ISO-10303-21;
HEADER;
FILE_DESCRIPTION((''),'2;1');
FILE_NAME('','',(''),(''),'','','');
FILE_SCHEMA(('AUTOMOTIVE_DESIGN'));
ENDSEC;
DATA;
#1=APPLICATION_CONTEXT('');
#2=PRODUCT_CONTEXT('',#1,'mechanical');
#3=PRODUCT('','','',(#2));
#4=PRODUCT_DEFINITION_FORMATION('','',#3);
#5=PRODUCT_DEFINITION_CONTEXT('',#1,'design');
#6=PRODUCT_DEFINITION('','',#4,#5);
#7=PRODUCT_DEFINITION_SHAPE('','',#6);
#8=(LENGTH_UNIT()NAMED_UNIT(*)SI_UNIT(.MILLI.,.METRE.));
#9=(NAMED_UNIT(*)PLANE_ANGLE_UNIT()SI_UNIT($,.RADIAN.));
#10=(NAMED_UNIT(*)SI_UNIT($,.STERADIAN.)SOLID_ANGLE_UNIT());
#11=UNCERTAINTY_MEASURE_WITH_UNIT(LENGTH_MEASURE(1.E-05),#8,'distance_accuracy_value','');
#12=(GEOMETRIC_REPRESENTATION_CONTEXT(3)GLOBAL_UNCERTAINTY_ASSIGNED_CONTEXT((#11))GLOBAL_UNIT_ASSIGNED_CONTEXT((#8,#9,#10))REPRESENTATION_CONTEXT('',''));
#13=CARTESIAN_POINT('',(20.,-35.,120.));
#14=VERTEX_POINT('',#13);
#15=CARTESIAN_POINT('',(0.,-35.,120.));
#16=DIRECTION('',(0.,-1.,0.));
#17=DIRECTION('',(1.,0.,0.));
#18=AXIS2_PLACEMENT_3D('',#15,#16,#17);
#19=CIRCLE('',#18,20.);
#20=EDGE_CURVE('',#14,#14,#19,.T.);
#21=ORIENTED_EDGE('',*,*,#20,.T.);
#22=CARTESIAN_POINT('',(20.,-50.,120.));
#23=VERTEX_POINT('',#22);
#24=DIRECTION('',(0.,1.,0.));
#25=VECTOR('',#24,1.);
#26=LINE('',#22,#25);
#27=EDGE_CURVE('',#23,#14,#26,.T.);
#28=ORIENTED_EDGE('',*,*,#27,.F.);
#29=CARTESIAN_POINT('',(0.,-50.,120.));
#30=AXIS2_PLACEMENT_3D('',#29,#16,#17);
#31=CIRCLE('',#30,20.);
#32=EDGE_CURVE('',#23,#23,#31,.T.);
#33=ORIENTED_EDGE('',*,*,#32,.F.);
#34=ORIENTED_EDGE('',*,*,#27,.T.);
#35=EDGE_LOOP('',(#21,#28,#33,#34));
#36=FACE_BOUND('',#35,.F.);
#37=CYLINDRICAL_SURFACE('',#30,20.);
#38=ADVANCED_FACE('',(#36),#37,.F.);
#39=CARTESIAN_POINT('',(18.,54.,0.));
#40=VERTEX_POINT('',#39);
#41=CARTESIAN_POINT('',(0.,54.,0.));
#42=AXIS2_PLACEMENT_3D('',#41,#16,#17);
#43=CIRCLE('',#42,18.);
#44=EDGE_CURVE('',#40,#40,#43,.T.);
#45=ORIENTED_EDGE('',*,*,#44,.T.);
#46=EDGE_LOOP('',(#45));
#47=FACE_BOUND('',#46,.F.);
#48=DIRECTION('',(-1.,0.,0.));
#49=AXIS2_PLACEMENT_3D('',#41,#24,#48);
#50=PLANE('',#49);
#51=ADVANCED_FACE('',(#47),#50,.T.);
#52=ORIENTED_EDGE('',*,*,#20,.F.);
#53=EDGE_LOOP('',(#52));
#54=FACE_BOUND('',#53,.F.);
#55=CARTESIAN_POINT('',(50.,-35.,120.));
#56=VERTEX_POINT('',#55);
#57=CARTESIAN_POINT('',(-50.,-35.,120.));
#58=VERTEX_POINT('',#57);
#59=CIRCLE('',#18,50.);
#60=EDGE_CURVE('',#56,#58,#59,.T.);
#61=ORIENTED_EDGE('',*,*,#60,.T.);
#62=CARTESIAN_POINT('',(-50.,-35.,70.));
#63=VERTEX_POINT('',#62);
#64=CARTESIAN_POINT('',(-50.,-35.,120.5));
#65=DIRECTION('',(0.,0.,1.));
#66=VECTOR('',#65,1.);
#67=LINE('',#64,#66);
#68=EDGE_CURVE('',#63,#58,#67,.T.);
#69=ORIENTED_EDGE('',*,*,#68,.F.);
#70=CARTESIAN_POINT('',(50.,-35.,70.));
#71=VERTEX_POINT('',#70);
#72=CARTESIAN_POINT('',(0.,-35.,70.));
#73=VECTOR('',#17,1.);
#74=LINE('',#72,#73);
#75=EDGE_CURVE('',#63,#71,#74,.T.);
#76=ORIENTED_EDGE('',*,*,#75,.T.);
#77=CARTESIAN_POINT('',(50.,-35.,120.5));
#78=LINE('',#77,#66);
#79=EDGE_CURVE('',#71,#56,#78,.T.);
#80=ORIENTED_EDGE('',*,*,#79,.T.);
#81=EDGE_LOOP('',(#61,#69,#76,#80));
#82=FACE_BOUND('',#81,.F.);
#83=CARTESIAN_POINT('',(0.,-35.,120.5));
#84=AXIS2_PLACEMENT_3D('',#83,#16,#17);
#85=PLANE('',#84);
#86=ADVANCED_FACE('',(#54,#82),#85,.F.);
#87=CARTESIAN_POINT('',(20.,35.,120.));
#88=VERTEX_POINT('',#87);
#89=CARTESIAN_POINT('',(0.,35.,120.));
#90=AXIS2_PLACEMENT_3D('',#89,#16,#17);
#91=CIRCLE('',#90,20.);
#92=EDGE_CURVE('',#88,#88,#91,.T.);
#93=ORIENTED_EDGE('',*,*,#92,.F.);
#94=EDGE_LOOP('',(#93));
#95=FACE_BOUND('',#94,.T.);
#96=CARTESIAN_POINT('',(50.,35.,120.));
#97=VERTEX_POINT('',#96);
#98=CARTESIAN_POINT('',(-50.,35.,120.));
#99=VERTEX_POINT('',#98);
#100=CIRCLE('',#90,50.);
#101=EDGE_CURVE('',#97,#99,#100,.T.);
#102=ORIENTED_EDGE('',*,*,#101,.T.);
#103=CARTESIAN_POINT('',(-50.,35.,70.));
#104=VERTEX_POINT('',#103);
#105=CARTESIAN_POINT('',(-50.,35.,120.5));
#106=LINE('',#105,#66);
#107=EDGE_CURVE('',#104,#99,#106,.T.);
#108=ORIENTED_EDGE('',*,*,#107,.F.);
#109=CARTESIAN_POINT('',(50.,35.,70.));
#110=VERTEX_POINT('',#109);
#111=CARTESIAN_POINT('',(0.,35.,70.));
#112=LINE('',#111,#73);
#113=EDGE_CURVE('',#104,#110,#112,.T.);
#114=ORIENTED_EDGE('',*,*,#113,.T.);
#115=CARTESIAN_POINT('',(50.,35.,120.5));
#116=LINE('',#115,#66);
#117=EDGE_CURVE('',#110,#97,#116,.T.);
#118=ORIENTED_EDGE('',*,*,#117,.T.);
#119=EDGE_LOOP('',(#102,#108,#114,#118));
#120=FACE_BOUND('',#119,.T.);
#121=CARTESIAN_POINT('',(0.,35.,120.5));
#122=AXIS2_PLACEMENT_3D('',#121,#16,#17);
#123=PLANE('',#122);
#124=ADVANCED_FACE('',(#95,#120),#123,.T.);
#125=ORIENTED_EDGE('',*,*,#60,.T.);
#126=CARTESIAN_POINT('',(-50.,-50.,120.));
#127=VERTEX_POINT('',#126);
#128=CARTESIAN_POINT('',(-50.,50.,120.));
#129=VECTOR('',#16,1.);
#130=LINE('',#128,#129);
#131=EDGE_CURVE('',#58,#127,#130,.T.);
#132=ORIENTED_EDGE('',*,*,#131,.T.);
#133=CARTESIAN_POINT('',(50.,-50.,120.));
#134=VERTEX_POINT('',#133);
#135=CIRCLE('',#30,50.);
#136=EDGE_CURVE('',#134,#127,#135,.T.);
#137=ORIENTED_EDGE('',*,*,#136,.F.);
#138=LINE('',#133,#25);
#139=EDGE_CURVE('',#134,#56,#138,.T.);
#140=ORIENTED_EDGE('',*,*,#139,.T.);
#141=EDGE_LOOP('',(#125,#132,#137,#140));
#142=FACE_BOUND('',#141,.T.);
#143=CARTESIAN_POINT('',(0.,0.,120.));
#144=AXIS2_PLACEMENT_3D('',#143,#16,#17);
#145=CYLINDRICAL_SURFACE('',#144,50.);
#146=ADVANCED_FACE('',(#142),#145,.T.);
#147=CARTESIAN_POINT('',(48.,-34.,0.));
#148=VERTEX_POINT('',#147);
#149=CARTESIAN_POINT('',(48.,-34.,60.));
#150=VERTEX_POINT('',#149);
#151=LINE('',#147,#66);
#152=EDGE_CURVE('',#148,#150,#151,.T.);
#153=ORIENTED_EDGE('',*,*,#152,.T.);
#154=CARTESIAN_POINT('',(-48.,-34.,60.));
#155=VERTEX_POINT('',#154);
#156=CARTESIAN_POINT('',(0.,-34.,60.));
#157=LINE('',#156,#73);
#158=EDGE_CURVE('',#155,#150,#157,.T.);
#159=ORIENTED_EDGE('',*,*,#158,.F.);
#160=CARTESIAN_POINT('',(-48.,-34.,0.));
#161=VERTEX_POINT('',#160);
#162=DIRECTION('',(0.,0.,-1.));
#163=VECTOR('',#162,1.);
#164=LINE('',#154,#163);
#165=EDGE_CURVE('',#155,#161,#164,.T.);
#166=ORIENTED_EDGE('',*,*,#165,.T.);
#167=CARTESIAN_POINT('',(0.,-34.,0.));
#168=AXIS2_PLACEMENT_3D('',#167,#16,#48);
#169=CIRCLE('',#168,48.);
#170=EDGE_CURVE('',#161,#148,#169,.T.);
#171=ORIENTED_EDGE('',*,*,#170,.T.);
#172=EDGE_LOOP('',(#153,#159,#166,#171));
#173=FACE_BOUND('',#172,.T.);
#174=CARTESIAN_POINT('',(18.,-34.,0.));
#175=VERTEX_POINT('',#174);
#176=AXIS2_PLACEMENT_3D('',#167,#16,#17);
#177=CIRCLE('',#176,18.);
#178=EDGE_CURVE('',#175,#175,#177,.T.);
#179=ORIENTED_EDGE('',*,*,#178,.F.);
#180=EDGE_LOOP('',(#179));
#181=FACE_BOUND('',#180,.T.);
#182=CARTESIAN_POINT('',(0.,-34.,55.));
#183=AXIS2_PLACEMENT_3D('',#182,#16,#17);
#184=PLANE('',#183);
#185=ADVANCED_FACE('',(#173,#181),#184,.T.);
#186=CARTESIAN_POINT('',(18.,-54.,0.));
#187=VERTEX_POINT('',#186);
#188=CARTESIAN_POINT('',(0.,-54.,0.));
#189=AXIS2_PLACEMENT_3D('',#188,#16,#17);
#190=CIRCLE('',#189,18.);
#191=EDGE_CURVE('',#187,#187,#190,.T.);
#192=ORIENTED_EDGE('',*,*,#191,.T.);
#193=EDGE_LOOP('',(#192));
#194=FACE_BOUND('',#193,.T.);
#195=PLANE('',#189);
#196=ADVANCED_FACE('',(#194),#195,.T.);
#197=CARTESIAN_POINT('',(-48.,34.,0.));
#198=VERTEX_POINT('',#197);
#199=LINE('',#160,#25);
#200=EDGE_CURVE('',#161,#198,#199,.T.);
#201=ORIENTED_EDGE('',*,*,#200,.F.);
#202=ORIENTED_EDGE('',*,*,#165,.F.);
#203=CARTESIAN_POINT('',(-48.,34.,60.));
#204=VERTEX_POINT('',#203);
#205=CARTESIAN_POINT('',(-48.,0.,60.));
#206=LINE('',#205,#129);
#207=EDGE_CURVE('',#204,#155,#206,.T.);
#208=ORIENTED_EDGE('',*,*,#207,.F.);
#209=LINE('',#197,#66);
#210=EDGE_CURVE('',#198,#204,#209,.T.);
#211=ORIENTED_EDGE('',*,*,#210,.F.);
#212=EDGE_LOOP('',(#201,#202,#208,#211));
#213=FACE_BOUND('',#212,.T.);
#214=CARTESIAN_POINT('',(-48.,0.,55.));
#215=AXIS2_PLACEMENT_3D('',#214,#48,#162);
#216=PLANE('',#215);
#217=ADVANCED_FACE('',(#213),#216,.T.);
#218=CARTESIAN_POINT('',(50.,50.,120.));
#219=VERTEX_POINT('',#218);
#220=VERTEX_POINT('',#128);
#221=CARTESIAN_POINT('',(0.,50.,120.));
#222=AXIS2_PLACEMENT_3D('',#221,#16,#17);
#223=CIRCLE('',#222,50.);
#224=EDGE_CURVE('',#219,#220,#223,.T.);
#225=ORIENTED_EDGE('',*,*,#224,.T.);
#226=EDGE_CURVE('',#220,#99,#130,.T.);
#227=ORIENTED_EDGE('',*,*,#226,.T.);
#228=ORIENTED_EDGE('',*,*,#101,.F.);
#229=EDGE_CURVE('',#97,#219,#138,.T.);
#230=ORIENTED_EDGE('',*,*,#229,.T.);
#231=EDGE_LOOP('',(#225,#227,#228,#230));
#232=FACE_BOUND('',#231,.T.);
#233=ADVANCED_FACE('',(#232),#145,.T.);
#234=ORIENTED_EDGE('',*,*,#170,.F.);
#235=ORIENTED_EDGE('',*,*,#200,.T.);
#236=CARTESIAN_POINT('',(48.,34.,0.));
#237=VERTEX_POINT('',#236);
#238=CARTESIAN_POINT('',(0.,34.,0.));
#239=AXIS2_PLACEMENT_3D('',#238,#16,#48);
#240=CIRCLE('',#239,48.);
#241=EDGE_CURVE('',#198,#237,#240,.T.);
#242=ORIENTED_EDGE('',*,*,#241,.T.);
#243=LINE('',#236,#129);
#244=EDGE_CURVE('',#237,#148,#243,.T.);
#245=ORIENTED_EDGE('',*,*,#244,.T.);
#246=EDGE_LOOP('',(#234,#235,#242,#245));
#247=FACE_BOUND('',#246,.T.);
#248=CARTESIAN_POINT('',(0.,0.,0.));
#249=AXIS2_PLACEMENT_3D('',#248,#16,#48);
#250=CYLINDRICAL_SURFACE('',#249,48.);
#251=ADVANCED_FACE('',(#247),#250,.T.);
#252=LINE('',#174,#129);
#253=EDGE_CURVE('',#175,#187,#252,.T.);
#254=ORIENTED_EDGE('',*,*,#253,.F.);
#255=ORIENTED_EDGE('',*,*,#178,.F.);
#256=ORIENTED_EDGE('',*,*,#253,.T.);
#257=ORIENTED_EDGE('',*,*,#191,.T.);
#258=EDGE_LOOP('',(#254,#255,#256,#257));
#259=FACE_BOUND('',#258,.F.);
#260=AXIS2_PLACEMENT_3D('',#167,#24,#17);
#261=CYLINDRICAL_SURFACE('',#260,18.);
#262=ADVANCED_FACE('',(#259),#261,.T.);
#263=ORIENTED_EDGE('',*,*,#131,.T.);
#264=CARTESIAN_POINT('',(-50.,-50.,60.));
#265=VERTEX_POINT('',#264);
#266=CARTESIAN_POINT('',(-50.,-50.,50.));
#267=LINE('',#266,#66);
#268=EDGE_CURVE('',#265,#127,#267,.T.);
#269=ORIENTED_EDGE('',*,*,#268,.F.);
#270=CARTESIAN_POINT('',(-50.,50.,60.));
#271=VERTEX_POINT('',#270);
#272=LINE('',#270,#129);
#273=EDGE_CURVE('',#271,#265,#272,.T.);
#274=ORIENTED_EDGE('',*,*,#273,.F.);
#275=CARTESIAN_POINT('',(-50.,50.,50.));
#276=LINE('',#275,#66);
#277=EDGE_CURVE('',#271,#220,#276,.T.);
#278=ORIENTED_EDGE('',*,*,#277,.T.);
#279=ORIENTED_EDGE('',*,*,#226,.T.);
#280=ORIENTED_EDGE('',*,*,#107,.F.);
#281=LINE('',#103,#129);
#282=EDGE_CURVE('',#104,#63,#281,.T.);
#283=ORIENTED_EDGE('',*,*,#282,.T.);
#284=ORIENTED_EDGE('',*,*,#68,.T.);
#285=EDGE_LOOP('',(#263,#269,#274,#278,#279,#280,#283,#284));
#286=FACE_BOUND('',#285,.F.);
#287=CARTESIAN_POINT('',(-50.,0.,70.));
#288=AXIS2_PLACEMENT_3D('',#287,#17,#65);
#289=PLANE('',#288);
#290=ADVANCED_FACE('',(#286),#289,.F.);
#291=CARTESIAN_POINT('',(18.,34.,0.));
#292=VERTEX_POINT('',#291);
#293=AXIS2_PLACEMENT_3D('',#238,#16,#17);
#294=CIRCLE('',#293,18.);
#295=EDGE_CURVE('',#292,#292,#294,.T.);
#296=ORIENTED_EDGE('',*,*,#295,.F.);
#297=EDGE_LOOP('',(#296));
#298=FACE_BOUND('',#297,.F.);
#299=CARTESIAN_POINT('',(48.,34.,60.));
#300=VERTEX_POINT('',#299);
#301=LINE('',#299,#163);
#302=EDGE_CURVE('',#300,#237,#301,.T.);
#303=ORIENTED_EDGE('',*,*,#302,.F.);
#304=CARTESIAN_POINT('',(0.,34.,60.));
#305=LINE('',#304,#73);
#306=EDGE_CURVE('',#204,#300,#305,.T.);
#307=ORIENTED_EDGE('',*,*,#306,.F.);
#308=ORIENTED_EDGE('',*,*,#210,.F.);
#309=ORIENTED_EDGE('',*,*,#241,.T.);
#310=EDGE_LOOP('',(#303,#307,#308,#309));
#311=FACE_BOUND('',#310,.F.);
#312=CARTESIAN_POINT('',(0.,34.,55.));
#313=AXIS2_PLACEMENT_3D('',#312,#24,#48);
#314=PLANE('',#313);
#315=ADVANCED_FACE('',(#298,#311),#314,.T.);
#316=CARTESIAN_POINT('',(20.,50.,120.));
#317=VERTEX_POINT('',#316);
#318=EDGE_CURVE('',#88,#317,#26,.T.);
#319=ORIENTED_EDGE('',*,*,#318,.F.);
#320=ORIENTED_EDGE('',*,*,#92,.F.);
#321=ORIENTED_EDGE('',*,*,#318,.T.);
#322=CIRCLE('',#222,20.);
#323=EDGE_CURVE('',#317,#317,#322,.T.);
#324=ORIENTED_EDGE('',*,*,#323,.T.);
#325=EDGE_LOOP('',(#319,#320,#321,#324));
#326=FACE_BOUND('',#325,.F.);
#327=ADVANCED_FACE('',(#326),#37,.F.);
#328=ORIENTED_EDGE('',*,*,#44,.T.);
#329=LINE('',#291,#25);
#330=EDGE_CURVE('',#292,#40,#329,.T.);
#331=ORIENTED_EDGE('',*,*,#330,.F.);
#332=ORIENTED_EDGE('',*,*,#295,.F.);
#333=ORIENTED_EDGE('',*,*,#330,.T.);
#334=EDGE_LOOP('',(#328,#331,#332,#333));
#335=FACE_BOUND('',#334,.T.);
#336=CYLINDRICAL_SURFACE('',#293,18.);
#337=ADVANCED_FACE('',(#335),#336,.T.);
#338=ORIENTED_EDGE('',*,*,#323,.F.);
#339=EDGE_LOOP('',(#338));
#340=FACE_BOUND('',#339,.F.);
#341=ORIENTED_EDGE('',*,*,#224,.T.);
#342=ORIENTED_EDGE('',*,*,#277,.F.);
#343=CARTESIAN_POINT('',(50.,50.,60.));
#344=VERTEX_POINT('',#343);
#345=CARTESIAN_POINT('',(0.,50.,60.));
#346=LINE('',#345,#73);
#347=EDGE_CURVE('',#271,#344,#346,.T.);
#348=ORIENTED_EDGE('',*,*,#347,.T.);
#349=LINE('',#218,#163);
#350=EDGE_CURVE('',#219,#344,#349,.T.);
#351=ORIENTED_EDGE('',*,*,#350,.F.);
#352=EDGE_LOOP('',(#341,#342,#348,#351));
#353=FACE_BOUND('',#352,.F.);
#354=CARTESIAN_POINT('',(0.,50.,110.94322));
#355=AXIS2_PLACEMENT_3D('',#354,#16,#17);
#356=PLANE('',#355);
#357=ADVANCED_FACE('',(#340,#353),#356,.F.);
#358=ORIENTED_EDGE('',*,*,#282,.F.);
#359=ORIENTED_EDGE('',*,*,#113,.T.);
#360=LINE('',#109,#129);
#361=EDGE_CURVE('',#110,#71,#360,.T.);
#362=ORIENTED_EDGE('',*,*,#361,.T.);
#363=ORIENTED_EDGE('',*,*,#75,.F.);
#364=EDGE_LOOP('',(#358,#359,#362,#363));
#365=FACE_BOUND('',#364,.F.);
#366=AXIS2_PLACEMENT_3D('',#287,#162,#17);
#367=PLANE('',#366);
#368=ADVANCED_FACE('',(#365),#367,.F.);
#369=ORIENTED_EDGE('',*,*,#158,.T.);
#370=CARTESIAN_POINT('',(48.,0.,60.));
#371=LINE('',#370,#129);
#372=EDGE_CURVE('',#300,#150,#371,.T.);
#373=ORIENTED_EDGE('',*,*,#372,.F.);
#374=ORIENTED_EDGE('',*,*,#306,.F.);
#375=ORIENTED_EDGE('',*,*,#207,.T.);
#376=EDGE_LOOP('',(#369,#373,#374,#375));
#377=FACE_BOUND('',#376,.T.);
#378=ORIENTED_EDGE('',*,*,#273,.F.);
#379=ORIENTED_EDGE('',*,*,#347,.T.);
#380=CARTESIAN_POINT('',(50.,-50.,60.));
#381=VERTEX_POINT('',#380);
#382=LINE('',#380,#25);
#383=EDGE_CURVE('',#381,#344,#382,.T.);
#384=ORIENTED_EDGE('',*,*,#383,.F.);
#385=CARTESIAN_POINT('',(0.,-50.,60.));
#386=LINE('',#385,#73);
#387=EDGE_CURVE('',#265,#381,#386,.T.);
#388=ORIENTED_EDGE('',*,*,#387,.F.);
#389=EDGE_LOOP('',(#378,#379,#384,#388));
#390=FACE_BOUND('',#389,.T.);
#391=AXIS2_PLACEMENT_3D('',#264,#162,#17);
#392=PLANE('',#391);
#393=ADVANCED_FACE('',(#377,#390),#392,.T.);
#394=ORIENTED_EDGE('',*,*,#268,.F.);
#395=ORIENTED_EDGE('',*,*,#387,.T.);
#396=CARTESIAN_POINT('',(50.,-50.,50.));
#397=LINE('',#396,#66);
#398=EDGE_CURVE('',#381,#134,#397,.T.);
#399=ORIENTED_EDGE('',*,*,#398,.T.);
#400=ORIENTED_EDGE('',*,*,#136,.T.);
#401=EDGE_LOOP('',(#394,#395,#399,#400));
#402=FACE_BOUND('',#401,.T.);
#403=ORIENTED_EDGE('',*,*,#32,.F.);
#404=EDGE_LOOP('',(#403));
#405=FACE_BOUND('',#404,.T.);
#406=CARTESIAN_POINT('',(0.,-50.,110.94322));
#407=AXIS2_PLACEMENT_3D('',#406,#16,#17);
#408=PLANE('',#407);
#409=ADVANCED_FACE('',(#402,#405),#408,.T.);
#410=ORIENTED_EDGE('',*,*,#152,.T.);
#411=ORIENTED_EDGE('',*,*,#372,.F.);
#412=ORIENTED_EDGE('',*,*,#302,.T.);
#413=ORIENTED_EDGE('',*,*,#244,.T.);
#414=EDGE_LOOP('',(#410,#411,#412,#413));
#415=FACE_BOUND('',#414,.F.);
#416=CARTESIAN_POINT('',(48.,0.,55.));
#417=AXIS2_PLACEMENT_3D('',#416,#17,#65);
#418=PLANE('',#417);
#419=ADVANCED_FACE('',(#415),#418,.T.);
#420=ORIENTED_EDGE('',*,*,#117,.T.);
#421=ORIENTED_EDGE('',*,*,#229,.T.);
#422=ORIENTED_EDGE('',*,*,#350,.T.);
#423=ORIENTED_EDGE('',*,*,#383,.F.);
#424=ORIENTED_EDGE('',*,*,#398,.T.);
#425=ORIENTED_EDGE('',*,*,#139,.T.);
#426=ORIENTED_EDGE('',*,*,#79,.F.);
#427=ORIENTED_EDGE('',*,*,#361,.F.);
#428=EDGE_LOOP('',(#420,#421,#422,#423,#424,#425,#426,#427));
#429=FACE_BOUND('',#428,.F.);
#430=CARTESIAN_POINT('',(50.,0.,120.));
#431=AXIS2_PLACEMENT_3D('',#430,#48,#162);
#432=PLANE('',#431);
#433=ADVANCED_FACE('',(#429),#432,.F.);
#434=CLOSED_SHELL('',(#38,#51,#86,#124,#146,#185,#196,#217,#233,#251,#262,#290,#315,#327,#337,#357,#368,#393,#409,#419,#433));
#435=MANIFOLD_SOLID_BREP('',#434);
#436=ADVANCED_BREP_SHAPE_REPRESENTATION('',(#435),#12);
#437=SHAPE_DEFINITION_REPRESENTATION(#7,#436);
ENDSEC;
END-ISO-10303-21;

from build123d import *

# Parameters (mm, degrees)
PAD_DEPTH       = 34
SKETCH001_R     = 18
PAD001_DEPTH    = 20
SKETCH002_W     = 100
SKETCH002_H     = 100
PAD002_DEPTH    = 20
PAD003_DEPTH    = 50
SKETCH004_R     = 20
POCKET_DEPTH    = 100
SKETCH005_W     = 100
SKETCH005_H     = 101
POCKET001_DEPTH = 35
SKETCH006_W     = 100
SKETCH006_H     = 10
POCKET002_DEPTH = 16
SKETCH007_W     = 10
SKETCH007_H     = 68
POCKET003_DEPTH = 2


with BuildPart() as part:
    # Sketch → Pad (new body, symmetric)
    with BuildSketch(Plane.XZ):
        with BuildLine():
            ThreePointArc((-48, 0), (0, -48), (48, 0))
            Line((48, 50), (48, 0))
            Line((-48, 50), (48, 50))
            Line((-48, 0), (-48, 50))
        make_face()
    extrude(amount=PAD_DEPTH, both=True)

    # Sketch001 (on Face6 of Pad) → Pad001 (join)
    with BuildSketch(Plane.XZ.offset(34)):
        Circle(SKETCH001_R)
    pad001 = extrude(amount=PAD001_DEPTH)

    # Mirrored: Pad001 across XZ
    add(pad001.mirror(Plane.XZ))

    # Sketch002 (on Face6 of Mirrored) → Pad002 (join)
    with BuildSketch(Plane(origin=(0, 0, 50), x_dir=(-1, 0, 0), z_dir=(0, 0, 1))):
        Rectangle(SKETCH002_W, SKETCH002_H)
    extrude(amount=PAD002_DEPTH)

    # Sketch003 → Pad003 (join, symmetric)
    with BuildSketch(Plane.XZ):
        with BuildLine():
            ThreePointArc((50, 120), (0, 170), (-50, 120))
            Line((-50, 70), (-50, 120))
            Line((50, 70), (-50, 70))
            Line((50, 120), (50, 70))
        make_face()
    extrude(amount=PAD003_DEPTH, both=True)

    # Sketch004 (on Face5 of Pad003) → Pocket (cut)
    with BuildSketch(Plane.XZ.offset(50)):
        with Locations((0, 120)):
            Circle(SKETCH004_R)
    extrude(amount=-POCKET_DEPTH, mode=Mode.SUBTRACT)

    # Sketch005 → Pocket001 (cut, symmetric)
    with BuildSketch(Plane.XZ):
        with Locations((0, 120.5)):
            Rectangle(SKETCH005_W, SKETCH005_H)
    extrude(amount=POCKET001_DEPTH, both=True, mode=Mode.SUBTRACT)

    # Sketch006 (on Face1 of Pocket001) → Pocket002 (cut)
    with BuildSketch(Plane.XZ.offset(50)):
        with Locations((0, 55)):
            Rectangle(SKETCH006_W, SKETCH006_H)
    pocket002 = extrude(amount=-POCKET002_DEPTH, mode=Mode.SUBTRACT)

    # Mirrored001: Pocket002 across XZ
    add(pocket002.mirror(Plane.XZ), mode=Mode.SUBTRACT)

    # Sketch007 (on Face3 of Mirrored001) → Pocket003 (cut)
    with BuildSketch(Plane(origin=(-50, 0, 0), x_dir=(0, 0, -1), z_dir=(-1, 0, 0))):
        with Locations((-55, 0)):
            Rectangle(SKETCH007_W, SKETCH007_H)
    pocket003 = extrude(amount=-POCKET003_DEPTH, mode=Mode.SUBTRACT)

    # Mirrored002: Pocket003 across YZ
    add(pocket003.mirror(Plane.YZ), mode=Mode.SUBTRACT)


solid = part.part
